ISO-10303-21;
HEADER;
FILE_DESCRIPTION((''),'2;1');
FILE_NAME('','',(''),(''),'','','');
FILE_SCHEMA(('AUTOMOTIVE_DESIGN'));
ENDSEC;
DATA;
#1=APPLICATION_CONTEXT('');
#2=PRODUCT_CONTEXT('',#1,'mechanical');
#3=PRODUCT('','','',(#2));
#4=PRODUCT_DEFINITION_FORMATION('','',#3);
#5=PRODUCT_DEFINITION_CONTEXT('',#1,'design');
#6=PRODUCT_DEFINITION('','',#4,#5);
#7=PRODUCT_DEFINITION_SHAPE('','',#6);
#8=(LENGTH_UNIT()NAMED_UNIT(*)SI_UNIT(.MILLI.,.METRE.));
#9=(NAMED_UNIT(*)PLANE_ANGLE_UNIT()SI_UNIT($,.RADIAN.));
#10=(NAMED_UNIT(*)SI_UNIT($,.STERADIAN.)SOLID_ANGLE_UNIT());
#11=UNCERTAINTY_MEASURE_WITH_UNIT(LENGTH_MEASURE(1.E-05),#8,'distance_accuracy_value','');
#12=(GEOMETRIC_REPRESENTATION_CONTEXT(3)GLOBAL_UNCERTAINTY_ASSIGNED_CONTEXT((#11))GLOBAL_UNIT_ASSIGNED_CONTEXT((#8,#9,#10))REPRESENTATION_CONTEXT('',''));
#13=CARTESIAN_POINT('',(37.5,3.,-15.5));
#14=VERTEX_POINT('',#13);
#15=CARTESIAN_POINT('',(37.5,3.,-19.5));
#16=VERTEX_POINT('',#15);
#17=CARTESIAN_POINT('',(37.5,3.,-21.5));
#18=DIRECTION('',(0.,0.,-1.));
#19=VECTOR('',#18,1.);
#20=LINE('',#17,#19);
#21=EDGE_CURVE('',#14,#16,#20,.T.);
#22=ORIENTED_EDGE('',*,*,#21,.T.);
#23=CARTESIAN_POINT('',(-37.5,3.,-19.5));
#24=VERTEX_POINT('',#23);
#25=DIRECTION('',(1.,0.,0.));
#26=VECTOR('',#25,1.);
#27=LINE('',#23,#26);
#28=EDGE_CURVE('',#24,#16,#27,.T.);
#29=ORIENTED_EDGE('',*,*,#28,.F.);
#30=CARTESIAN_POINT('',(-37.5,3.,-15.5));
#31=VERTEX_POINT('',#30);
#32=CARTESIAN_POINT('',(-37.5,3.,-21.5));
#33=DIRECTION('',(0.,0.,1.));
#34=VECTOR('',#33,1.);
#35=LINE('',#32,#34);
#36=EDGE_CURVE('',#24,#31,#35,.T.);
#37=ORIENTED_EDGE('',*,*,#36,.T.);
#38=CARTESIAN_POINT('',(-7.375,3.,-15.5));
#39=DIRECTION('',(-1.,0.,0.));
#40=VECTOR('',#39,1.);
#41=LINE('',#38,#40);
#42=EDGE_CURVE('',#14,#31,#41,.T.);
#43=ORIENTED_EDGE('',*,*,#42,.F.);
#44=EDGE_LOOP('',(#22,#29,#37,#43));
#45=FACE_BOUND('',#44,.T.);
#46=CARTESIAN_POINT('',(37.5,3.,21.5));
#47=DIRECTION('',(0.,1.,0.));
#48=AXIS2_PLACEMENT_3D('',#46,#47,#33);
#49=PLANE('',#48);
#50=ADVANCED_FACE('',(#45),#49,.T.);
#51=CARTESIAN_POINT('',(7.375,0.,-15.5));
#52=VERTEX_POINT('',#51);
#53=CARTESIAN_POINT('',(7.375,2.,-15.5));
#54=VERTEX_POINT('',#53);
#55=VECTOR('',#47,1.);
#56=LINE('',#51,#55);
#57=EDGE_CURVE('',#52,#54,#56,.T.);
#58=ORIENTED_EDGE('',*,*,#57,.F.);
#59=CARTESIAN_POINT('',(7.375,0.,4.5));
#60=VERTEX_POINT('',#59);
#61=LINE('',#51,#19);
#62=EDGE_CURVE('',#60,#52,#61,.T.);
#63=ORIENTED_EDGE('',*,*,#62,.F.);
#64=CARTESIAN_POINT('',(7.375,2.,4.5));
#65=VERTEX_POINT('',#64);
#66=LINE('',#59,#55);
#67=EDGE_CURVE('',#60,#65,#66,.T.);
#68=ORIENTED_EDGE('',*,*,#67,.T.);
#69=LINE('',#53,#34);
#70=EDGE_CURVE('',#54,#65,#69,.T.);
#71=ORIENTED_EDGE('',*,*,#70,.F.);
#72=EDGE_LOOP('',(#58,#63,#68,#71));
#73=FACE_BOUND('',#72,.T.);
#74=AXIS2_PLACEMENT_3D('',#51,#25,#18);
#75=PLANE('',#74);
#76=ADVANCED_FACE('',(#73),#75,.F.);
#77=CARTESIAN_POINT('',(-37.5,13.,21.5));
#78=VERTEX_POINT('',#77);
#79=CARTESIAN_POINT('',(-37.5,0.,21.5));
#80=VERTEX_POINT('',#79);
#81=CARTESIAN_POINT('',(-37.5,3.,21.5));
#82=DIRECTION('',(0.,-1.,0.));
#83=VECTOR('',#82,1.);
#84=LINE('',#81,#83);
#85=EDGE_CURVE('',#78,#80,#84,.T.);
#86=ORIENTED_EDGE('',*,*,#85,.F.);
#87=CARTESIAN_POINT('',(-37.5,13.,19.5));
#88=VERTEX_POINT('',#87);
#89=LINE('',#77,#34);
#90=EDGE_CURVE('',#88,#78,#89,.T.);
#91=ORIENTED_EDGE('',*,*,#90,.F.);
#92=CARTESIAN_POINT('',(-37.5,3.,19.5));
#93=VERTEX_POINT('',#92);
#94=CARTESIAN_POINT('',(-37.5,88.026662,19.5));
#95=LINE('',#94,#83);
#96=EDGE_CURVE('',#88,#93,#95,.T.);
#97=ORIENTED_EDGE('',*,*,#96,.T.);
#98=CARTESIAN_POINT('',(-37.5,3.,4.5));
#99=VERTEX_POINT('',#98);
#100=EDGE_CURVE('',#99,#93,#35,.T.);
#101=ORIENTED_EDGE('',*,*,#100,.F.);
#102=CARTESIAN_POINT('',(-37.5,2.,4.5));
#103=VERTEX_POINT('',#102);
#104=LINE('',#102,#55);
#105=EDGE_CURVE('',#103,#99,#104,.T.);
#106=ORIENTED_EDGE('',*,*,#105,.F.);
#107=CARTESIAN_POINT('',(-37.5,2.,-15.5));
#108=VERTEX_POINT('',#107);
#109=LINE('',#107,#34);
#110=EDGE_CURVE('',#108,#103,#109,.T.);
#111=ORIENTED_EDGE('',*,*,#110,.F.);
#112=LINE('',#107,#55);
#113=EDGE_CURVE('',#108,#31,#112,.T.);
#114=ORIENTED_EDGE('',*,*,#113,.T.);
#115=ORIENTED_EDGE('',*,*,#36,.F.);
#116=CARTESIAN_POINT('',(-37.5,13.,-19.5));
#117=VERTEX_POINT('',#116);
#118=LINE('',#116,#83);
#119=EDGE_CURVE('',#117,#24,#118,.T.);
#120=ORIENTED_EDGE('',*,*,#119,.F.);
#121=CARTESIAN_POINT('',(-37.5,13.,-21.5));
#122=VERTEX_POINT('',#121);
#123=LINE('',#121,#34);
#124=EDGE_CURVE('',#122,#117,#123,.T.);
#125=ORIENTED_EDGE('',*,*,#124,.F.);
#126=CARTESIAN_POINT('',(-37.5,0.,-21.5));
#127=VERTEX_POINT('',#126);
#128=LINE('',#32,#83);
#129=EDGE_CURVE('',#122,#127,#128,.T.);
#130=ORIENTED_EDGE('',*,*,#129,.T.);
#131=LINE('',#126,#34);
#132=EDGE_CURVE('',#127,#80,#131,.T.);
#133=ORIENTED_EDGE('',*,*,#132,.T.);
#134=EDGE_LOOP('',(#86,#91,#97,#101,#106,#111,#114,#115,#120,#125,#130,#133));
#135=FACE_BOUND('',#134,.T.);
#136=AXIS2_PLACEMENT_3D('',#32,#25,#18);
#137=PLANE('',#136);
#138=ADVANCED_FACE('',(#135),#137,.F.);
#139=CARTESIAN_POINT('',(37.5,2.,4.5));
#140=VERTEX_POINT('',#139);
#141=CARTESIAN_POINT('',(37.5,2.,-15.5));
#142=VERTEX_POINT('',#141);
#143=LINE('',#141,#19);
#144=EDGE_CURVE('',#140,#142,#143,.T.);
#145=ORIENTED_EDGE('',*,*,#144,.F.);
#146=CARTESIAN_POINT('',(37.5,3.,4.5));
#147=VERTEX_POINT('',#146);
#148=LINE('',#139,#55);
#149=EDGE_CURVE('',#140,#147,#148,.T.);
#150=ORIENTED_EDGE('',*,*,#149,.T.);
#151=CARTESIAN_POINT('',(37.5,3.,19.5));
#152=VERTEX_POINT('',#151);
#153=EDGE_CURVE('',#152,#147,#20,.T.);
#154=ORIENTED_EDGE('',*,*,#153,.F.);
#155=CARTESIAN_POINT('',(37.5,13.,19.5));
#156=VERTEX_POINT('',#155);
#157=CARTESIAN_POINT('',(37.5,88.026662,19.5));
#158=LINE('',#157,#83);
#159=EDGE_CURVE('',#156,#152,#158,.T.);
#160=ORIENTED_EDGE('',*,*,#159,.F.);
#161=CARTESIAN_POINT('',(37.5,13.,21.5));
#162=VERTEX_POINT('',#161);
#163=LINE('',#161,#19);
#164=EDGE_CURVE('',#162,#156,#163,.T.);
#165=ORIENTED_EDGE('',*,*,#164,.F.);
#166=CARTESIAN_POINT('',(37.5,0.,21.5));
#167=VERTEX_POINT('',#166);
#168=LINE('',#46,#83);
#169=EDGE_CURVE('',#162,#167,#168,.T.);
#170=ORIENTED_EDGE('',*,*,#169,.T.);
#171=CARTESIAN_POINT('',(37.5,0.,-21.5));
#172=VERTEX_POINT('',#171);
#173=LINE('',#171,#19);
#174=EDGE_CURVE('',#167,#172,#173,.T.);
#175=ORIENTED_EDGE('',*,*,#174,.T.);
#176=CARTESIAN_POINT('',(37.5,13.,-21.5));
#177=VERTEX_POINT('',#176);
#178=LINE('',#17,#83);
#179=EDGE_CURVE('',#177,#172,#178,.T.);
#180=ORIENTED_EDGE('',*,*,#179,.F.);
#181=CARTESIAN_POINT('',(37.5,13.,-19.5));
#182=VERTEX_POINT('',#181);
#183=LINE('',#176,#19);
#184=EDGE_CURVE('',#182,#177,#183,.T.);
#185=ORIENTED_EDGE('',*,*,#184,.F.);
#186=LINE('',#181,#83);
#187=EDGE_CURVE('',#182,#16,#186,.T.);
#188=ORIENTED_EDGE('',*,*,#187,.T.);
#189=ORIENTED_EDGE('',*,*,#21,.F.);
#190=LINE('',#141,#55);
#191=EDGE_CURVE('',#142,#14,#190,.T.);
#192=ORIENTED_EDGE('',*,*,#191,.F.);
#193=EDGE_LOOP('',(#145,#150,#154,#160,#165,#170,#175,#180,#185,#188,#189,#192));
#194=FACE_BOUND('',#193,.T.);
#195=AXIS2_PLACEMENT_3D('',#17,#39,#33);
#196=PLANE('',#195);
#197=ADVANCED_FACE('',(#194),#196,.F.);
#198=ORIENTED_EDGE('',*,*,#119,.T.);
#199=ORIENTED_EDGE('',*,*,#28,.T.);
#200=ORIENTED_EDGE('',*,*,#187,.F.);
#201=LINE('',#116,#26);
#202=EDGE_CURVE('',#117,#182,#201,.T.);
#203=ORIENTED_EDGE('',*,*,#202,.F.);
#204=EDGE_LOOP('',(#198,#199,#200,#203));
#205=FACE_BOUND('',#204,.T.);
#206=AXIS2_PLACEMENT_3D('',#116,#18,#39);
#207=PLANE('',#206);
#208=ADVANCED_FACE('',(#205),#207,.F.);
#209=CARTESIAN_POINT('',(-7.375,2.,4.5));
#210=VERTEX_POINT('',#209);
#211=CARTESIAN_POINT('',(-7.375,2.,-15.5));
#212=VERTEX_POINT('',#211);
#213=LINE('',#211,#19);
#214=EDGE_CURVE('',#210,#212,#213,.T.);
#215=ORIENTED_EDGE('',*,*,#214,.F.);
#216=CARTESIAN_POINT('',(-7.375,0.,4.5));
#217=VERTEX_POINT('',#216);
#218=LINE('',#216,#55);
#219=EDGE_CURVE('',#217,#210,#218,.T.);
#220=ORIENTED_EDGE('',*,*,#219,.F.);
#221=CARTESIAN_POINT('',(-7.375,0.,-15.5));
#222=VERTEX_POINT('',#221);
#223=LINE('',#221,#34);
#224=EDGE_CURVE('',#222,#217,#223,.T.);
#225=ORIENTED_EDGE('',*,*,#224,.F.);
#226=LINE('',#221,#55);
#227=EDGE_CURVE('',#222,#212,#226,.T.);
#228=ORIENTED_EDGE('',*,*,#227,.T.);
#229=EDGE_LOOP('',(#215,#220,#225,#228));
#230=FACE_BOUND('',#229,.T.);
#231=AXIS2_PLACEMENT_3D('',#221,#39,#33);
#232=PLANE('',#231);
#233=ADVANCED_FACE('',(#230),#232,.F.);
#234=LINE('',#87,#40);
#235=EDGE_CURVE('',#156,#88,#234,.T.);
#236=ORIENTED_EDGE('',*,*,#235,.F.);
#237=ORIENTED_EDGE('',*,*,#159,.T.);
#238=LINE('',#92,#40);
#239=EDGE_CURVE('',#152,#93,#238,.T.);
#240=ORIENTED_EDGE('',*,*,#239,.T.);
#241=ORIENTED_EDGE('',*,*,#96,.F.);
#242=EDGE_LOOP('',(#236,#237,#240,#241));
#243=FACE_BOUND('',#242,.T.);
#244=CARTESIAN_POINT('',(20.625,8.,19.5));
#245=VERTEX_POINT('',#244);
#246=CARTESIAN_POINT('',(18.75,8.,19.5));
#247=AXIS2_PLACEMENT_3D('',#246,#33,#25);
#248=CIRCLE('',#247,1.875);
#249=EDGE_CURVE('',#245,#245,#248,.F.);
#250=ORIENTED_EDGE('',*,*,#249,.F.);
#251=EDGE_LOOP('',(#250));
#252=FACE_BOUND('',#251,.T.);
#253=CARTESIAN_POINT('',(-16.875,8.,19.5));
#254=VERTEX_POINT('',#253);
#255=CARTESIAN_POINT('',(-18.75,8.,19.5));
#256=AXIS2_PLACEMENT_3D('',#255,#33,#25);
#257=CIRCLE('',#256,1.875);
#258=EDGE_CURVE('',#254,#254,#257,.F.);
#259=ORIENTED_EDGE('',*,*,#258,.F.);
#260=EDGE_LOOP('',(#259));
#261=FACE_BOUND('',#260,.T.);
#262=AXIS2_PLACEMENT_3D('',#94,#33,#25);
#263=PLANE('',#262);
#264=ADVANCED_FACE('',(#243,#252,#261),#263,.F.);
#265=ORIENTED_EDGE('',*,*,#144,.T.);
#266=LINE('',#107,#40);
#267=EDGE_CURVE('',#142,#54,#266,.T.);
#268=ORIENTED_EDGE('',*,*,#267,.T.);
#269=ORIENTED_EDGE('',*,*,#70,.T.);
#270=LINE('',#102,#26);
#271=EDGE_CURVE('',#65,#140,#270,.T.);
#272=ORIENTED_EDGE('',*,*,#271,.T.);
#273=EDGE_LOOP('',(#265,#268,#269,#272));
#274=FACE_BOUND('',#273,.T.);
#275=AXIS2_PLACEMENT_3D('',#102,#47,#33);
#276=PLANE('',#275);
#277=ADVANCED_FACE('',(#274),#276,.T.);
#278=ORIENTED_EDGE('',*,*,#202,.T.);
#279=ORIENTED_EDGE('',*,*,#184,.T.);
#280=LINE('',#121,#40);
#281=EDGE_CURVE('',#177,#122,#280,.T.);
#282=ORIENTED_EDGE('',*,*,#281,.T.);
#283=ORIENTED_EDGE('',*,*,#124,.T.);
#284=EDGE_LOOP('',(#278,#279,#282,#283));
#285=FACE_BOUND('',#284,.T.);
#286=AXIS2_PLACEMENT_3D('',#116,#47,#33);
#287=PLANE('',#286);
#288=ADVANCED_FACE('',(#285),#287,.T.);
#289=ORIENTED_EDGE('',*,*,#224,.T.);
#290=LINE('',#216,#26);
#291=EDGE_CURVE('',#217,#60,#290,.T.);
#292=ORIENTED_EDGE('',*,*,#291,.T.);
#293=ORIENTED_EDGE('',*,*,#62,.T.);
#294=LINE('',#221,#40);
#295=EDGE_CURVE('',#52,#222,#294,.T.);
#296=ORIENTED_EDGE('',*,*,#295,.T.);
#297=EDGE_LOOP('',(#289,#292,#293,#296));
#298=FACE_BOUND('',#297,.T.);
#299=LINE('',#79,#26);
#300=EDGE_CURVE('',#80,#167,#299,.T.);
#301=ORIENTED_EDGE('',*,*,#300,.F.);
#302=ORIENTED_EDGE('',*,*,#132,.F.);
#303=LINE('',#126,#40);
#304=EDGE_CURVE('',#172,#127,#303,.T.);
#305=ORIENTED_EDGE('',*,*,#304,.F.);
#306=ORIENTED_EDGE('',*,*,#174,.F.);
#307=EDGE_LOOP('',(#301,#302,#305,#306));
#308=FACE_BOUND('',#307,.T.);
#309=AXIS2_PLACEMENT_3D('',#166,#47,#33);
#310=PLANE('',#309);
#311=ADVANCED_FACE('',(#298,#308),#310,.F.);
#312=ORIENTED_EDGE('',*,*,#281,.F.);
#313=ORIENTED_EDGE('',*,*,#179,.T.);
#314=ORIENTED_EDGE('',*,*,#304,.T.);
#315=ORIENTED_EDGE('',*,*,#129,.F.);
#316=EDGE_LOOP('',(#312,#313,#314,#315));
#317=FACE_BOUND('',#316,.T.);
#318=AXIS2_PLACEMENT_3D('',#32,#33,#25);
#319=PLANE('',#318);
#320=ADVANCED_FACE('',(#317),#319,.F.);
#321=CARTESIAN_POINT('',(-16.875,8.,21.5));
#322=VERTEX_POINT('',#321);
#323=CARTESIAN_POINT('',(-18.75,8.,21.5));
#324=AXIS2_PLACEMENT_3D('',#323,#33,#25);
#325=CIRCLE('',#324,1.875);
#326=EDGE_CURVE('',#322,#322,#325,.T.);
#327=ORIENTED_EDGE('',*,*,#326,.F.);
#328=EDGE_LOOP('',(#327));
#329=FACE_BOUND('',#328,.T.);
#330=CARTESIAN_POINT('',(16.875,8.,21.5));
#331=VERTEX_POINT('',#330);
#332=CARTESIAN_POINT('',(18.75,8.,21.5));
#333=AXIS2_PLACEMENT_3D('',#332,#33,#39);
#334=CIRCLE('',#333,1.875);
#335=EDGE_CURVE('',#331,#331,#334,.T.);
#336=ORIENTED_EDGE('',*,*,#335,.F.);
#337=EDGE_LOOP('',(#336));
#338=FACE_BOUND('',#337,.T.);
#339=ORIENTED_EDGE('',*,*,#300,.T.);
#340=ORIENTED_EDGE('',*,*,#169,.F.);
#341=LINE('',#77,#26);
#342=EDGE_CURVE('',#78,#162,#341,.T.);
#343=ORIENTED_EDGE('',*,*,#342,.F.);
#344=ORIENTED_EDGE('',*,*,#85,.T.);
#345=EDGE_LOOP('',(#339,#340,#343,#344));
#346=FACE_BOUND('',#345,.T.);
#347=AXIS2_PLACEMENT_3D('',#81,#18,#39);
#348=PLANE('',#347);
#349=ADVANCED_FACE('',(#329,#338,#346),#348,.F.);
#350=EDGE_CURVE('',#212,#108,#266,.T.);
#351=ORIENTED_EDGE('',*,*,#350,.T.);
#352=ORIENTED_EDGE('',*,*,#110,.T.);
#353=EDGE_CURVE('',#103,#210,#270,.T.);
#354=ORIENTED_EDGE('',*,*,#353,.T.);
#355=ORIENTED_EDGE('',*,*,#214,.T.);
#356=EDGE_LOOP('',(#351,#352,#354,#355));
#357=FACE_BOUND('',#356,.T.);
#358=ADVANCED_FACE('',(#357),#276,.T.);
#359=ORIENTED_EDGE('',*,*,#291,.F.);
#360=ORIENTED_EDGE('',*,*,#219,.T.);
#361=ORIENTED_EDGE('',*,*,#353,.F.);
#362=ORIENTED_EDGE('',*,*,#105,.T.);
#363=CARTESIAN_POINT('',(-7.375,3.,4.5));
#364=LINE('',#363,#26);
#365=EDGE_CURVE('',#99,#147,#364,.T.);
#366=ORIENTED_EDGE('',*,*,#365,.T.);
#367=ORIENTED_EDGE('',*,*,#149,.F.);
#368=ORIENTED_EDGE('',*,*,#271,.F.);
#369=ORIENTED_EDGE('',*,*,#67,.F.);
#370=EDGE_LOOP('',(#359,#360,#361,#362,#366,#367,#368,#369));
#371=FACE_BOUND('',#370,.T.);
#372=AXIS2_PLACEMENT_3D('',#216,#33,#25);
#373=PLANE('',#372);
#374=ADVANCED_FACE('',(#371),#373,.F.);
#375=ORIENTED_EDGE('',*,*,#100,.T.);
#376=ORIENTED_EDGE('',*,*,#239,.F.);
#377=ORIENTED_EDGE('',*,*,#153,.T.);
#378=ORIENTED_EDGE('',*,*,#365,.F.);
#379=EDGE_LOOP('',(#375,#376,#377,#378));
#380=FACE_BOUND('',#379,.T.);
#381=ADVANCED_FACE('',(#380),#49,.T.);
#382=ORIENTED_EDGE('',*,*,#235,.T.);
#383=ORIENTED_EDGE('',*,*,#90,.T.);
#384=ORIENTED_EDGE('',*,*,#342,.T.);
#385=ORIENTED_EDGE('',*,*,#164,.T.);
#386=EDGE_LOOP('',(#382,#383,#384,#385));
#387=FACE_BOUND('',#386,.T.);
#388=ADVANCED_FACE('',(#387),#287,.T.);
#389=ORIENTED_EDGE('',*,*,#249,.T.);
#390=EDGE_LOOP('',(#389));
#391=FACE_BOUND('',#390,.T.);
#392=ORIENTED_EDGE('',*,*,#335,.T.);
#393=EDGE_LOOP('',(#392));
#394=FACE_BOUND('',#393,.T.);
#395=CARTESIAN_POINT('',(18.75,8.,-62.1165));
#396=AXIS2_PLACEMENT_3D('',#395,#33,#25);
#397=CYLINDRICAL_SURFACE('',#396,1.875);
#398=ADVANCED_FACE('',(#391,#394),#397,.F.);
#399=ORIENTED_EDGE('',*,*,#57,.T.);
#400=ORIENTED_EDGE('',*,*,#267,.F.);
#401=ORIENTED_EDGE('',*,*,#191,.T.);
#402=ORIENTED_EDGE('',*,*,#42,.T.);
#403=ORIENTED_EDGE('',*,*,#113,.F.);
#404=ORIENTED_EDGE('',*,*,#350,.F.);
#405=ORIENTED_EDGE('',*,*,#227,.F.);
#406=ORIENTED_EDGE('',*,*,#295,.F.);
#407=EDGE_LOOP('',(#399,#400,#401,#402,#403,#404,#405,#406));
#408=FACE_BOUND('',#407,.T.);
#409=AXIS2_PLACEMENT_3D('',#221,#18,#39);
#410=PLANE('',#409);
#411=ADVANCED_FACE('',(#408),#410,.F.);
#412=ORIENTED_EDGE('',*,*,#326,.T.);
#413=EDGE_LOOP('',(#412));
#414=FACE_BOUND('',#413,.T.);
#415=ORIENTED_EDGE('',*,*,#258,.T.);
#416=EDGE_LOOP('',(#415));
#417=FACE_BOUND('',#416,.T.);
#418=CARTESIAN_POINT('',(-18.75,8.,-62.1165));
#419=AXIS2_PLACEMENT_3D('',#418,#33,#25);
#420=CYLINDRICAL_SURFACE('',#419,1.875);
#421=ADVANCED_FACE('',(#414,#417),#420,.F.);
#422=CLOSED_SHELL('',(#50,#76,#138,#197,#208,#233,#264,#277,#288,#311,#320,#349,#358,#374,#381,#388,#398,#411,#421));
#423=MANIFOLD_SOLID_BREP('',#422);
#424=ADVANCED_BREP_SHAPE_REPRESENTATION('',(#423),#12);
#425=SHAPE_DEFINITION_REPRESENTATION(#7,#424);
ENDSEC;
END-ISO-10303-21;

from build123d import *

# Parameters (mm, degrees)
SKETCH1_W           = 75
SKETCH1_H           = 43
BOSS_EXTRUDE1_DEPTH = 3
SKETCH2_W           = 75
SKETCH2_H           = 2
BOSS_EXTRUDE2_DEPTH = 10
SKETCH3_W           = 75
SKETCH3_H           = 2
BOSS_EXTRUDE3_DEPTH = 10
SKETCH4_OUTSIDE_W   = 94.484
SKETCH4_OUTSIDE_H   = 32.484
SKETCH4_OUTSIDE_W_2 = 79
SKETCH4_OUTSIDE_H_2 = 17
SKETCH4_OUTSIDE_R   = 1.875
CUT_EXTRUDE2_DEPTH  = 2
SKETCH6_W           = 14.75
SKETCH6_H           = 20
CUT_EXTRUDE3_DEPTH  = 45.367781103
SKETCH7_W           = 75
SKETCH7_H           = 20
CUT_EXTRUDE4_DEPTH  = 1


with BuildPart() as part:
    # Sketch1 → Boss-Extrude1 (new body)
    with BuildSketch(Plane(origin=(0, 0, 0), x_dir=(1, 0, 0), z_dir=(0, 1, 0))):
        Rectangle(SKETCH1_W, SKETCH1_H)
    extrude(amount=BOSS_EXTRUDE1_DEPTH)

    # Sketch2 → Boss-Extrude2 (add)
    with BuildSketch(Plane(origin=(0, 3, 0), x_dir=(1, 0, 0), z_dir=(0, 1, 0))):
        with Locations((0, 20.5)):
            Rectangle(SKETCH2_W, SKETCH2_H)
    extrude(amount=BOSS_EXTRUDE2_DEPTH)

    # Sketch3 → Boss-Extrude3 (add)
    with BuildSketch(Plane(origin=(0, 3, 0), x_dir=(1, 0, 0), z_dir=(0, 1, 0))):
        with Locations((0, -20.5)):
            Rectangle(SKETCH3_W, SKETCH3_H)
    extrude(amount=BOSS_EXTRUDE3_DEPTH)

    # Sketch4 outside → Cut-Extrude2 (cut)
    # profile 1 of 3: a face of its own
    with BuildSketch(Plane.XY.offset(21.5)):
        with Locations((0, 6.5)):
            Rectangle(SKETCH4_OUTSIDE_W, SKETCH4_OUTSIDE_H)
        with Locations((0, 6.5)):
            Rectangle(SKETCH4_OUTSIDE_W_2, SKETCH4_OUTSIDE_H_2, mode=Mode.SUBTRACT)
    # profile 2 of 3: a face of its own
    with BuildSketch(Plane.XY.offset(21.5)):
        with Locations((18.75, 8)):
            Circle(SKETCH4_OUTSIDE_R)
    # profile 3 of 3: a face of its own
    with BuildSketch(Plane.XY.offset(21.5)):
        with Locations((-18.75, 8)):
            Circle(SKETCH4_OUTSIDE_R)
    extrude(amount=-CUT_EXTRUDE2_DEPTH, mode=Mode.SUBTRACT)

    # Sketch6 → Cut-Extrude3 (cut, through all)
    with BuildSketch(Plane(origin=(0, 3, 0), x_dir=(1, 0, 0), z_dir=(0, 1, 0))):
        with Locations((0, 5.5)):
            Rectangle(SKETCH6_W, SKETCH6_H)
    extrude(amount=-CUT_EXTRUDE3_DEPTH, mode=Mode.SUBTRACT)

    # Sketch7 → Cut-Extrude4 (cut)
    with BuildSketch(Plane(origin=(0, 3, 0), x_dir=(1, 0, 0), z_dir=(0, 1, 0))):
        with Locations((0, 5.5)):
            Rectangle(SKETCH7_W, SKETCH7_H)
    extrude(amount=-CUT_EXTRUDE4_DEPTH, mode=Mode.SUBTRACT)


solid = part.part
